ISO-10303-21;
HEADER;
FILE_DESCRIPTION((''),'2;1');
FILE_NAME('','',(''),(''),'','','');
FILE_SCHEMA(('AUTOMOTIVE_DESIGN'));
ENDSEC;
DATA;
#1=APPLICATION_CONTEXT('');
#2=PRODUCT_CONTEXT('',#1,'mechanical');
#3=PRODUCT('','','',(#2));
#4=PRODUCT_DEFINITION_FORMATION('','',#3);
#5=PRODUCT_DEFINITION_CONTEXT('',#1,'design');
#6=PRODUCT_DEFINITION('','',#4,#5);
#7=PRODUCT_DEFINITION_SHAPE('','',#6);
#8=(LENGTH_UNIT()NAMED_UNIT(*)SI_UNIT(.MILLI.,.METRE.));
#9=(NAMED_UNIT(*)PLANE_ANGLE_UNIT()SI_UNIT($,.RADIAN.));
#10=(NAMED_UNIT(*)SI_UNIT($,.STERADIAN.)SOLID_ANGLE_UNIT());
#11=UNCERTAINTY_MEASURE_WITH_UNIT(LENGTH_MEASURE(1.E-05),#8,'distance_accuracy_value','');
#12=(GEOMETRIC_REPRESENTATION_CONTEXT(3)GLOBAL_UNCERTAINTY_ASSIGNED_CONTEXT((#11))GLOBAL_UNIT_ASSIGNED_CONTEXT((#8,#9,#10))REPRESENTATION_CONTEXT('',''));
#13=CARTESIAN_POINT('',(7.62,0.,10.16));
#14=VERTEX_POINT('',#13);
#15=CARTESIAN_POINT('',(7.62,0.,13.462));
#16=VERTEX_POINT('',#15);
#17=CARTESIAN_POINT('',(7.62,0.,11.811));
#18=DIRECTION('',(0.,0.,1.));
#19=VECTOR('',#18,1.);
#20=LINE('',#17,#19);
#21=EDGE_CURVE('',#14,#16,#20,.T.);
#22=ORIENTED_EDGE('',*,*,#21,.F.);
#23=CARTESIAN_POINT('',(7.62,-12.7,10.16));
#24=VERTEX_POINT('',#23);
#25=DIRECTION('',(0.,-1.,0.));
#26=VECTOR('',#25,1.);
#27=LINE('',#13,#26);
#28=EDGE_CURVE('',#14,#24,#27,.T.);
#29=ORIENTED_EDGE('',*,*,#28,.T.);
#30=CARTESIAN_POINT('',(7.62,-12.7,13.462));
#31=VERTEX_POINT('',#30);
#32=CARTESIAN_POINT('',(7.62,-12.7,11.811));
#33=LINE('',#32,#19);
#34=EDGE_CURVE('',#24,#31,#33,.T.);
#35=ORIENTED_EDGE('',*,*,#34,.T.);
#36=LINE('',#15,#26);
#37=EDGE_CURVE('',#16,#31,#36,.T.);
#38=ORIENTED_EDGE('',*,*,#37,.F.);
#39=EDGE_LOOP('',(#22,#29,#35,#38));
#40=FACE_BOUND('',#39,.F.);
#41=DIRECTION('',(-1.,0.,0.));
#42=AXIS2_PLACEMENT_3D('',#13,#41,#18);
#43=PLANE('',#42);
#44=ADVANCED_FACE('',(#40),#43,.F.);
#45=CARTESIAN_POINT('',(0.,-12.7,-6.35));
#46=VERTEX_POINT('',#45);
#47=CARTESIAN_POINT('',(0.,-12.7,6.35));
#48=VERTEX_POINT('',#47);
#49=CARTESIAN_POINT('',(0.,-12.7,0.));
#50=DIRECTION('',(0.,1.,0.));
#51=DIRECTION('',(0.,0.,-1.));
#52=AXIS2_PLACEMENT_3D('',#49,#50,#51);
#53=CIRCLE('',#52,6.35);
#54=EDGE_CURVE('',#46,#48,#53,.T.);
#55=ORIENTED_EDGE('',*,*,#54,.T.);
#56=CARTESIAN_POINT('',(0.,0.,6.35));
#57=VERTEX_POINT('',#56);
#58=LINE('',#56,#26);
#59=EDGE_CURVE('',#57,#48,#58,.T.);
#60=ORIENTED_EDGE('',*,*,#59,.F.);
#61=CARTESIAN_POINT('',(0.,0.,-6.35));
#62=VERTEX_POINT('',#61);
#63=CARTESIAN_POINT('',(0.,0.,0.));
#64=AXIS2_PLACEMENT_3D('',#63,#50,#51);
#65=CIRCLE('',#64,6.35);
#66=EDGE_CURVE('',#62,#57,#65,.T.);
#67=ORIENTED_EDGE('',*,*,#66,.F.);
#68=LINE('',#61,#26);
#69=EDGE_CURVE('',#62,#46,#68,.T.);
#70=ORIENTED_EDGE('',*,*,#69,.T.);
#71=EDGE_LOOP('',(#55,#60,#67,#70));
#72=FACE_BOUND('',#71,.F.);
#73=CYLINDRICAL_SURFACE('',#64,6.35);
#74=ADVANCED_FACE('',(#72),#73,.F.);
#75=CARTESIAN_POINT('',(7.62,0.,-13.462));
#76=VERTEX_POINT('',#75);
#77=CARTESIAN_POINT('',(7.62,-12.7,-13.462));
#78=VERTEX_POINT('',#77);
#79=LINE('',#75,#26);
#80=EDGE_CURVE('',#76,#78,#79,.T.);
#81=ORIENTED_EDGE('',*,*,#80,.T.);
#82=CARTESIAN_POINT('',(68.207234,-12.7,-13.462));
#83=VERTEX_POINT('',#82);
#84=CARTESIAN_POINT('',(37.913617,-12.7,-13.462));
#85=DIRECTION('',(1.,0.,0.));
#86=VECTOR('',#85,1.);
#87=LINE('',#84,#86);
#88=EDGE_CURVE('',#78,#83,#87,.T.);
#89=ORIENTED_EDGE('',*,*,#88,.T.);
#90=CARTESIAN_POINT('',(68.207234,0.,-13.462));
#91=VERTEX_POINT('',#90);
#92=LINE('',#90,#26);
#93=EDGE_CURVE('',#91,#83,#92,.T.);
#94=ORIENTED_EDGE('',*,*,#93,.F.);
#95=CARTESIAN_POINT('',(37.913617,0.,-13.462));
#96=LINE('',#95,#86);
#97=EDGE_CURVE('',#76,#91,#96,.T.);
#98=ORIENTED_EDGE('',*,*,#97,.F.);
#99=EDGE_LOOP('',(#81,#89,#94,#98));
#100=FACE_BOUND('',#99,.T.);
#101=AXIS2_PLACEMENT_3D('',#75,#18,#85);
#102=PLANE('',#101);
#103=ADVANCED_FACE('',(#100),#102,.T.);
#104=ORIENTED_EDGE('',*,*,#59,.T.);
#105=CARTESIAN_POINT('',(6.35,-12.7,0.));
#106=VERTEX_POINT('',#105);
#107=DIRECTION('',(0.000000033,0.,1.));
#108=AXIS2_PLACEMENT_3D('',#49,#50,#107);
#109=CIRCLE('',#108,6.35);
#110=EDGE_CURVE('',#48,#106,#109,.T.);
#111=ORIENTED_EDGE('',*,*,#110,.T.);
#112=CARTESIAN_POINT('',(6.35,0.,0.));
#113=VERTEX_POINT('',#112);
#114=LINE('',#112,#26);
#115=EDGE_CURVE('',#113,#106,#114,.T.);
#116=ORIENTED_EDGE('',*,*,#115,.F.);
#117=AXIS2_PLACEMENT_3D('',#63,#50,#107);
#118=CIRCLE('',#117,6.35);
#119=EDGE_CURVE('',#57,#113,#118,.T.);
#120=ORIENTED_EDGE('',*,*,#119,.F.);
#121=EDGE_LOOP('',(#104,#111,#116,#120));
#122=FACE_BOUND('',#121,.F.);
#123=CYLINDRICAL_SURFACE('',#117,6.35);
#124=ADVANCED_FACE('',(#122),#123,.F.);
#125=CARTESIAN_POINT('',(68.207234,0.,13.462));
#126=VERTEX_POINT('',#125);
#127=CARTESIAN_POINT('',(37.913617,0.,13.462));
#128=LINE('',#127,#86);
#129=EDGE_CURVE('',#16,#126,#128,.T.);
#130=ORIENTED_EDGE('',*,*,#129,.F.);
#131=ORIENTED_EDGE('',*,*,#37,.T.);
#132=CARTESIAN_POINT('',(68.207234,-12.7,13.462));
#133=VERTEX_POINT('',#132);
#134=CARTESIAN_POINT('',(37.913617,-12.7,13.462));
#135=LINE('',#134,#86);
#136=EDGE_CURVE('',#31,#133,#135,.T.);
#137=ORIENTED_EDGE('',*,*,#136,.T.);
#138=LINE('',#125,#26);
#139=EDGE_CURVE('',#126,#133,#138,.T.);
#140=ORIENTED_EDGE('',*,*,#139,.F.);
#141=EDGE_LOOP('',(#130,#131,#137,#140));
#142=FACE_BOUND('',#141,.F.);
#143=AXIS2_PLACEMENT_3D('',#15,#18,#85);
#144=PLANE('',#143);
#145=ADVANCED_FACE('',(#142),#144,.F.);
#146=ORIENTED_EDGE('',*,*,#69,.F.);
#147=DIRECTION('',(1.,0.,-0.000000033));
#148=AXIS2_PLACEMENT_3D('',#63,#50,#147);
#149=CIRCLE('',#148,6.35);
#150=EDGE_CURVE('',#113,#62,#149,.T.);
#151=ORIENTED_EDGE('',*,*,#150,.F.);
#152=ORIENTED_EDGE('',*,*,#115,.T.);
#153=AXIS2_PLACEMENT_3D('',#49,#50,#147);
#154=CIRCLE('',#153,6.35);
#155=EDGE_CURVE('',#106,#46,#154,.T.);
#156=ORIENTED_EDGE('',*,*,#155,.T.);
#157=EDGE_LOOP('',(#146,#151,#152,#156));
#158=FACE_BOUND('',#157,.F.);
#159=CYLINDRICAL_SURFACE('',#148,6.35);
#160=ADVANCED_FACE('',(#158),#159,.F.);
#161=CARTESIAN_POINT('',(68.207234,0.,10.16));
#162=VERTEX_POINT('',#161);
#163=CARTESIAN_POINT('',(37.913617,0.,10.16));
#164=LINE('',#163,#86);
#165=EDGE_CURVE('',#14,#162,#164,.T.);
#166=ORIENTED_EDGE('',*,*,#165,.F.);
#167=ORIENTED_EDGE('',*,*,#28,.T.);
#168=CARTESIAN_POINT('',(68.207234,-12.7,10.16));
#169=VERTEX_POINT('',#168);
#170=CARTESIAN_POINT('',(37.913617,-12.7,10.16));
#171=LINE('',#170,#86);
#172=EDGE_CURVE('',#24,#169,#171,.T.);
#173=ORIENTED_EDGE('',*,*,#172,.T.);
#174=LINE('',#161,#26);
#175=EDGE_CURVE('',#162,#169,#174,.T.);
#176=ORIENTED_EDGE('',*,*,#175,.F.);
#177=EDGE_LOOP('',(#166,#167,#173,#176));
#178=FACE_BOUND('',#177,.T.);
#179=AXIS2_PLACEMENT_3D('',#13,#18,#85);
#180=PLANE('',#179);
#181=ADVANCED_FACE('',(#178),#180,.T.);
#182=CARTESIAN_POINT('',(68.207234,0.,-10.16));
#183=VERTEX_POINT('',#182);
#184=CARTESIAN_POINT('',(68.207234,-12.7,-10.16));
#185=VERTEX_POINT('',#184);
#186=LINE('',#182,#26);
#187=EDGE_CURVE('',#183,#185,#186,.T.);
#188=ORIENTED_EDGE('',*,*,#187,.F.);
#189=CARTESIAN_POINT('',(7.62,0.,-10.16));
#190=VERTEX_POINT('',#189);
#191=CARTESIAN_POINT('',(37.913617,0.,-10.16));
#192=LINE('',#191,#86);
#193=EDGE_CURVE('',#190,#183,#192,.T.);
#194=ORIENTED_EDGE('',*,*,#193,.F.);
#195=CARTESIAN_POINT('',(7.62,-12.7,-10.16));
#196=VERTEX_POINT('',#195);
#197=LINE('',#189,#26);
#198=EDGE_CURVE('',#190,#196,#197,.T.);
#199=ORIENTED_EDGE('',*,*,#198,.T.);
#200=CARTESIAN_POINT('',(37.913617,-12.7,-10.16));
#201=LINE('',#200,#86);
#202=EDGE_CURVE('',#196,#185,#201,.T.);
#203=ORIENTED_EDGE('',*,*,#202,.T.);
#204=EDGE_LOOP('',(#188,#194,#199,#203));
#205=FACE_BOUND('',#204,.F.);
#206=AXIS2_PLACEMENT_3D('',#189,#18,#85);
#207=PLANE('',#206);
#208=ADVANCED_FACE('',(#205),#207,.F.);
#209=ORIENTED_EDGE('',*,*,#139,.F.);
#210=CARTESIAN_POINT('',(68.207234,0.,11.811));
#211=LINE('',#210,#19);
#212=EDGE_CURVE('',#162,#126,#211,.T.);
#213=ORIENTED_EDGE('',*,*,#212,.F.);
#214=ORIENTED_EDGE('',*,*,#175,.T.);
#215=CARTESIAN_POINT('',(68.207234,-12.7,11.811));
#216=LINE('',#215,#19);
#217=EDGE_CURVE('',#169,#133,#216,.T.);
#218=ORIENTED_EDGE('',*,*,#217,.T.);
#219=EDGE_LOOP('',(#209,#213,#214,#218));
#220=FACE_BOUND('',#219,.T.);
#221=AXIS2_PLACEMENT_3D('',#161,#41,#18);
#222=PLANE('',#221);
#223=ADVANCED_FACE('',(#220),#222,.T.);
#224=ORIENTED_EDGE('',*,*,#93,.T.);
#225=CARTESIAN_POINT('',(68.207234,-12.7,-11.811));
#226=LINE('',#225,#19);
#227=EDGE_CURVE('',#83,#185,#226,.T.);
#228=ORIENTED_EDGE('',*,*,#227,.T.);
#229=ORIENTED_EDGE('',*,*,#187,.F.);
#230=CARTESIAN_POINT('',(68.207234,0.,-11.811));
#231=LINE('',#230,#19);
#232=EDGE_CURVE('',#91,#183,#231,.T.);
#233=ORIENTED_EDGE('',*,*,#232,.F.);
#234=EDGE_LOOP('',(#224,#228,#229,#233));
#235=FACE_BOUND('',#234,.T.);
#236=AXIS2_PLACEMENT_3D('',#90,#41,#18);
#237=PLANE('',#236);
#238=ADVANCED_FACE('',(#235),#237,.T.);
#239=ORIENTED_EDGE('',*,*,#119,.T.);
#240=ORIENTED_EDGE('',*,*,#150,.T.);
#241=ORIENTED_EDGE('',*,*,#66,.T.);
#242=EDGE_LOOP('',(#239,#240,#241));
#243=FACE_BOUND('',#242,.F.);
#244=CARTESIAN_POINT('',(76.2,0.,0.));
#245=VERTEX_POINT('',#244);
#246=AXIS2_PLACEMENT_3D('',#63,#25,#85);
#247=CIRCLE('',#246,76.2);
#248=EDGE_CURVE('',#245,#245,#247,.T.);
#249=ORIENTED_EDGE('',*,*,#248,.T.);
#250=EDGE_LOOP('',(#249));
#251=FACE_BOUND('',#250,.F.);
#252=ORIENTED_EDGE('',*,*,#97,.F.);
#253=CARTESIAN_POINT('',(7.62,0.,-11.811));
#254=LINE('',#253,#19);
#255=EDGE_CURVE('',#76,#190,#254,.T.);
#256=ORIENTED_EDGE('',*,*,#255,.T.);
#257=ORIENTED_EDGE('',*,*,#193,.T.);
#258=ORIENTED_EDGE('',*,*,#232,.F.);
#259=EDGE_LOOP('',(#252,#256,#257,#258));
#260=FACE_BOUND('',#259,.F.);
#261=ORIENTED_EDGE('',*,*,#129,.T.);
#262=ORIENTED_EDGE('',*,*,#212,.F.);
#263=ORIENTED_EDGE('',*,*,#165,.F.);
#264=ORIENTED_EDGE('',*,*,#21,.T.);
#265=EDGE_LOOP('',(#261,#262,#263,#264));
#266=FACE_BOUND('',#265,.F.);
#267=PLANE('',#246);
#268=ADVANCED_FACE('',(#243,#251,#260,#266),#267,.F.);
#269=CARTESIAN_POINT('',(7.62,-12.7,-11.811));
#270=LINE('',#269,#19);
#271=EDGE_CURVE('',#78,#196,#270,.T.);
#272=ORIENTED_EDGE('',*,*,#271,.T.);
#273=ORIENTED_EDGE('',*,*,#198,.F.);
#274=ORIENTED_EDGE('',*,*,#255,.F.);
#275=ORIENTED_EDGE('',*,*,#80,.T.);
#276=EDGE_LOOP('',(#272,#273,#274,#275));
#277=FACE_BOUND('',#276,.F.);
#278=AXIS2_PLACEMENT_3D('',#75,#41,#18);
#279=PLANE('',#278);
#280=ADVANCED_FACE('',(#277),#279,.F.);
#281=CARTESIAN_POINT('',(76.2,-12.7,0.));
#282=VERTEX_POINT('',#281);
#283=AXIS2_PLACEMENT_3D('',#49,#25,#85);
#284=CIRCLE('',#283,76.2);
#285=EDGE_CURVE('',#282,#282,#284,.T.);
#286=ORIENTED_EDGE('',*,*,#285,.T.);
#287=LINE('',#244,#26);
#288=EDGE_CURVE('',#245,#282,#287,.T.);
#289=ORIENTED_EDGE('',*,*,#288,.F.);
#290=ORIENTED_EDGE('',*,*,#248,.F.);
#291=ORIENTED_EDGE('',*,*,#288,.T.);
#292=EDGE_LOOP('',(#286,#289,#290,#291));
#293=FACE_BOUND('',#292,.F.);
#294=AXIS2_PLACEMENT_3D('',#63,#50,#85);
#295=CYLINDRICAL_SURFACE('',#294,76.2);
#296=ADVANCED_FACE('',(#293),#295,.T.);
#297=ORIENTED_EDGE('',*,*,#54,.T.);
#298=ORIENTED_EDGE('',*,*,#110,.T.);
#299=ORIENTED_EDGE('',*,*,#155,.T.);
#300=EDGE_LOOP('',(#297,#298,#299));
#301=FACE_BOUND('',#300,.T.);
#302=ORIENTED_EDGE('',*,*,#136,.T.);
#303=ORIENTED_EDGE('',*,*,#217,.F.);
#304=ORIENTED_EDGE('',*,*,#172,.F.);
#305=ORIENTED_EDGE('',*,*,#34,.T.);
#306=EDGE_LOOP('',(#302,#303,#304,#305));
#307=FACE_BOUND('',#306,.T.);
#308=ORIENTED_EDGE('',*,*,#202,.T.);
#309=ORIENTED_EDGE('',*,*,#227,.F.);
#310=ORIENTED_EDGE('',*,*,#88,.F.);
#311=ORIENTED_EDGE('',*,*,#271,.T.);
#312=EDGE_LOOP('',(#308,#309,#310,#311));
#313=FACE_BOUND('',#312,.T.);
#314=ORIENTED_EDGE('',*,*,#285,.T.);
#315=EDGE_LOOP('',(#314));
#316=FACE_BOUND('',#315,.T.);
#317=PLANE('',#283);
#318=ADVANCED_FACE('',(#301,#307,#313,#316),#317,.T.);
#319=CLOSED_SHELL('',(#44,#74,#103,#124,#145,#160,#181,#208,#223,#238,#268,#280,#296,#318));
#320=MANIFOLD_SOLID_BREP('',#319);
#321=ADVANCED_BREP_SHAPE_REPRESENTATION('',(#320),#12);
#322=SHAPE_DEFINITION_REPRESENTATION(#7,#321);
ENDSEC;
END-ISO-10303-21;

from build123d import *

# Parameters (mm, degrees)
F0_R     = 76.2
F0_W     = 60.587234
F0_H     = 3.302
F1_DEPTH = 12.7


with BuildPart() as f1:
    # F0 (on Front) → F1 (new body)
    with BuildSketch(Plane.XZ):
        Circle(F0_R)
        with Locations((37.913617, -11.811)):
            Rectangle(F0_W, F0_H, mode=Mode.SUBTRACT)
        with BuildLine():
            ThreePointArc((0, -6.35), (-6.35, 0), (0, 6.35))
            Line((0, 6.35), (0, 10.16))
            Line((0, 10.16), (7.62, 10.16))
            Line((7.62, 10.16), (7.62, 1.651))
            Line((7.62, 1.651), (68.58, 1.651))
            Line((68.58, 1.651), (68.58, -1.651))
            Line((68.58, -1.651), (7.62, -1.651))
            Line((7.62, -1.651), (7.62, -10.16))
            Line((7.62, -10.16), (0, -10.16))
            Line((0, -10.16), (0, -6.35))
        make_face(mode=Mode.SUBTRACT)
        with Locations((37.913617, 11.811)):
            Rectangle(F0_W, F0_H, mode=Mode.SUBTRACT)
        with BuildLine():
            ThreePointArc((0, 6.35), (4.490128, 4.490128), (6.35, 0))
            Line((6.35, 0), (7.62, 0))
            Line((7.62, 0), (7.62, 1.651))
            Line((7.62, 1.651), (7.62, 10.16))
            Line((7.62, 10.16), (0, 10.16))
            Line((0, 10.16), (0, 6.35))
        make_face()
        with BuildLine():
            Line((7.62, 0), (6.35, 0))
            ThreePointArc((6.35, 0), (4.490128, -4.490128), (0, -6.35))
            Line((0, -6.35), (0, -10.16))
            Line((0, -10.16), (7.62, -10.16))
            Line((7.62, -10.16), (7.62, -1.651))
            Line((7.62, -1.651), (7.62, 0))
        make_face()
        Polygon((7.62, 1.651), (7.62, 0), (7.62, -1.651), (68.58, -1.651), (68.58, 1.651), align=None)
    extrude(amount=F1_DEPTH)


solid = f1.part
